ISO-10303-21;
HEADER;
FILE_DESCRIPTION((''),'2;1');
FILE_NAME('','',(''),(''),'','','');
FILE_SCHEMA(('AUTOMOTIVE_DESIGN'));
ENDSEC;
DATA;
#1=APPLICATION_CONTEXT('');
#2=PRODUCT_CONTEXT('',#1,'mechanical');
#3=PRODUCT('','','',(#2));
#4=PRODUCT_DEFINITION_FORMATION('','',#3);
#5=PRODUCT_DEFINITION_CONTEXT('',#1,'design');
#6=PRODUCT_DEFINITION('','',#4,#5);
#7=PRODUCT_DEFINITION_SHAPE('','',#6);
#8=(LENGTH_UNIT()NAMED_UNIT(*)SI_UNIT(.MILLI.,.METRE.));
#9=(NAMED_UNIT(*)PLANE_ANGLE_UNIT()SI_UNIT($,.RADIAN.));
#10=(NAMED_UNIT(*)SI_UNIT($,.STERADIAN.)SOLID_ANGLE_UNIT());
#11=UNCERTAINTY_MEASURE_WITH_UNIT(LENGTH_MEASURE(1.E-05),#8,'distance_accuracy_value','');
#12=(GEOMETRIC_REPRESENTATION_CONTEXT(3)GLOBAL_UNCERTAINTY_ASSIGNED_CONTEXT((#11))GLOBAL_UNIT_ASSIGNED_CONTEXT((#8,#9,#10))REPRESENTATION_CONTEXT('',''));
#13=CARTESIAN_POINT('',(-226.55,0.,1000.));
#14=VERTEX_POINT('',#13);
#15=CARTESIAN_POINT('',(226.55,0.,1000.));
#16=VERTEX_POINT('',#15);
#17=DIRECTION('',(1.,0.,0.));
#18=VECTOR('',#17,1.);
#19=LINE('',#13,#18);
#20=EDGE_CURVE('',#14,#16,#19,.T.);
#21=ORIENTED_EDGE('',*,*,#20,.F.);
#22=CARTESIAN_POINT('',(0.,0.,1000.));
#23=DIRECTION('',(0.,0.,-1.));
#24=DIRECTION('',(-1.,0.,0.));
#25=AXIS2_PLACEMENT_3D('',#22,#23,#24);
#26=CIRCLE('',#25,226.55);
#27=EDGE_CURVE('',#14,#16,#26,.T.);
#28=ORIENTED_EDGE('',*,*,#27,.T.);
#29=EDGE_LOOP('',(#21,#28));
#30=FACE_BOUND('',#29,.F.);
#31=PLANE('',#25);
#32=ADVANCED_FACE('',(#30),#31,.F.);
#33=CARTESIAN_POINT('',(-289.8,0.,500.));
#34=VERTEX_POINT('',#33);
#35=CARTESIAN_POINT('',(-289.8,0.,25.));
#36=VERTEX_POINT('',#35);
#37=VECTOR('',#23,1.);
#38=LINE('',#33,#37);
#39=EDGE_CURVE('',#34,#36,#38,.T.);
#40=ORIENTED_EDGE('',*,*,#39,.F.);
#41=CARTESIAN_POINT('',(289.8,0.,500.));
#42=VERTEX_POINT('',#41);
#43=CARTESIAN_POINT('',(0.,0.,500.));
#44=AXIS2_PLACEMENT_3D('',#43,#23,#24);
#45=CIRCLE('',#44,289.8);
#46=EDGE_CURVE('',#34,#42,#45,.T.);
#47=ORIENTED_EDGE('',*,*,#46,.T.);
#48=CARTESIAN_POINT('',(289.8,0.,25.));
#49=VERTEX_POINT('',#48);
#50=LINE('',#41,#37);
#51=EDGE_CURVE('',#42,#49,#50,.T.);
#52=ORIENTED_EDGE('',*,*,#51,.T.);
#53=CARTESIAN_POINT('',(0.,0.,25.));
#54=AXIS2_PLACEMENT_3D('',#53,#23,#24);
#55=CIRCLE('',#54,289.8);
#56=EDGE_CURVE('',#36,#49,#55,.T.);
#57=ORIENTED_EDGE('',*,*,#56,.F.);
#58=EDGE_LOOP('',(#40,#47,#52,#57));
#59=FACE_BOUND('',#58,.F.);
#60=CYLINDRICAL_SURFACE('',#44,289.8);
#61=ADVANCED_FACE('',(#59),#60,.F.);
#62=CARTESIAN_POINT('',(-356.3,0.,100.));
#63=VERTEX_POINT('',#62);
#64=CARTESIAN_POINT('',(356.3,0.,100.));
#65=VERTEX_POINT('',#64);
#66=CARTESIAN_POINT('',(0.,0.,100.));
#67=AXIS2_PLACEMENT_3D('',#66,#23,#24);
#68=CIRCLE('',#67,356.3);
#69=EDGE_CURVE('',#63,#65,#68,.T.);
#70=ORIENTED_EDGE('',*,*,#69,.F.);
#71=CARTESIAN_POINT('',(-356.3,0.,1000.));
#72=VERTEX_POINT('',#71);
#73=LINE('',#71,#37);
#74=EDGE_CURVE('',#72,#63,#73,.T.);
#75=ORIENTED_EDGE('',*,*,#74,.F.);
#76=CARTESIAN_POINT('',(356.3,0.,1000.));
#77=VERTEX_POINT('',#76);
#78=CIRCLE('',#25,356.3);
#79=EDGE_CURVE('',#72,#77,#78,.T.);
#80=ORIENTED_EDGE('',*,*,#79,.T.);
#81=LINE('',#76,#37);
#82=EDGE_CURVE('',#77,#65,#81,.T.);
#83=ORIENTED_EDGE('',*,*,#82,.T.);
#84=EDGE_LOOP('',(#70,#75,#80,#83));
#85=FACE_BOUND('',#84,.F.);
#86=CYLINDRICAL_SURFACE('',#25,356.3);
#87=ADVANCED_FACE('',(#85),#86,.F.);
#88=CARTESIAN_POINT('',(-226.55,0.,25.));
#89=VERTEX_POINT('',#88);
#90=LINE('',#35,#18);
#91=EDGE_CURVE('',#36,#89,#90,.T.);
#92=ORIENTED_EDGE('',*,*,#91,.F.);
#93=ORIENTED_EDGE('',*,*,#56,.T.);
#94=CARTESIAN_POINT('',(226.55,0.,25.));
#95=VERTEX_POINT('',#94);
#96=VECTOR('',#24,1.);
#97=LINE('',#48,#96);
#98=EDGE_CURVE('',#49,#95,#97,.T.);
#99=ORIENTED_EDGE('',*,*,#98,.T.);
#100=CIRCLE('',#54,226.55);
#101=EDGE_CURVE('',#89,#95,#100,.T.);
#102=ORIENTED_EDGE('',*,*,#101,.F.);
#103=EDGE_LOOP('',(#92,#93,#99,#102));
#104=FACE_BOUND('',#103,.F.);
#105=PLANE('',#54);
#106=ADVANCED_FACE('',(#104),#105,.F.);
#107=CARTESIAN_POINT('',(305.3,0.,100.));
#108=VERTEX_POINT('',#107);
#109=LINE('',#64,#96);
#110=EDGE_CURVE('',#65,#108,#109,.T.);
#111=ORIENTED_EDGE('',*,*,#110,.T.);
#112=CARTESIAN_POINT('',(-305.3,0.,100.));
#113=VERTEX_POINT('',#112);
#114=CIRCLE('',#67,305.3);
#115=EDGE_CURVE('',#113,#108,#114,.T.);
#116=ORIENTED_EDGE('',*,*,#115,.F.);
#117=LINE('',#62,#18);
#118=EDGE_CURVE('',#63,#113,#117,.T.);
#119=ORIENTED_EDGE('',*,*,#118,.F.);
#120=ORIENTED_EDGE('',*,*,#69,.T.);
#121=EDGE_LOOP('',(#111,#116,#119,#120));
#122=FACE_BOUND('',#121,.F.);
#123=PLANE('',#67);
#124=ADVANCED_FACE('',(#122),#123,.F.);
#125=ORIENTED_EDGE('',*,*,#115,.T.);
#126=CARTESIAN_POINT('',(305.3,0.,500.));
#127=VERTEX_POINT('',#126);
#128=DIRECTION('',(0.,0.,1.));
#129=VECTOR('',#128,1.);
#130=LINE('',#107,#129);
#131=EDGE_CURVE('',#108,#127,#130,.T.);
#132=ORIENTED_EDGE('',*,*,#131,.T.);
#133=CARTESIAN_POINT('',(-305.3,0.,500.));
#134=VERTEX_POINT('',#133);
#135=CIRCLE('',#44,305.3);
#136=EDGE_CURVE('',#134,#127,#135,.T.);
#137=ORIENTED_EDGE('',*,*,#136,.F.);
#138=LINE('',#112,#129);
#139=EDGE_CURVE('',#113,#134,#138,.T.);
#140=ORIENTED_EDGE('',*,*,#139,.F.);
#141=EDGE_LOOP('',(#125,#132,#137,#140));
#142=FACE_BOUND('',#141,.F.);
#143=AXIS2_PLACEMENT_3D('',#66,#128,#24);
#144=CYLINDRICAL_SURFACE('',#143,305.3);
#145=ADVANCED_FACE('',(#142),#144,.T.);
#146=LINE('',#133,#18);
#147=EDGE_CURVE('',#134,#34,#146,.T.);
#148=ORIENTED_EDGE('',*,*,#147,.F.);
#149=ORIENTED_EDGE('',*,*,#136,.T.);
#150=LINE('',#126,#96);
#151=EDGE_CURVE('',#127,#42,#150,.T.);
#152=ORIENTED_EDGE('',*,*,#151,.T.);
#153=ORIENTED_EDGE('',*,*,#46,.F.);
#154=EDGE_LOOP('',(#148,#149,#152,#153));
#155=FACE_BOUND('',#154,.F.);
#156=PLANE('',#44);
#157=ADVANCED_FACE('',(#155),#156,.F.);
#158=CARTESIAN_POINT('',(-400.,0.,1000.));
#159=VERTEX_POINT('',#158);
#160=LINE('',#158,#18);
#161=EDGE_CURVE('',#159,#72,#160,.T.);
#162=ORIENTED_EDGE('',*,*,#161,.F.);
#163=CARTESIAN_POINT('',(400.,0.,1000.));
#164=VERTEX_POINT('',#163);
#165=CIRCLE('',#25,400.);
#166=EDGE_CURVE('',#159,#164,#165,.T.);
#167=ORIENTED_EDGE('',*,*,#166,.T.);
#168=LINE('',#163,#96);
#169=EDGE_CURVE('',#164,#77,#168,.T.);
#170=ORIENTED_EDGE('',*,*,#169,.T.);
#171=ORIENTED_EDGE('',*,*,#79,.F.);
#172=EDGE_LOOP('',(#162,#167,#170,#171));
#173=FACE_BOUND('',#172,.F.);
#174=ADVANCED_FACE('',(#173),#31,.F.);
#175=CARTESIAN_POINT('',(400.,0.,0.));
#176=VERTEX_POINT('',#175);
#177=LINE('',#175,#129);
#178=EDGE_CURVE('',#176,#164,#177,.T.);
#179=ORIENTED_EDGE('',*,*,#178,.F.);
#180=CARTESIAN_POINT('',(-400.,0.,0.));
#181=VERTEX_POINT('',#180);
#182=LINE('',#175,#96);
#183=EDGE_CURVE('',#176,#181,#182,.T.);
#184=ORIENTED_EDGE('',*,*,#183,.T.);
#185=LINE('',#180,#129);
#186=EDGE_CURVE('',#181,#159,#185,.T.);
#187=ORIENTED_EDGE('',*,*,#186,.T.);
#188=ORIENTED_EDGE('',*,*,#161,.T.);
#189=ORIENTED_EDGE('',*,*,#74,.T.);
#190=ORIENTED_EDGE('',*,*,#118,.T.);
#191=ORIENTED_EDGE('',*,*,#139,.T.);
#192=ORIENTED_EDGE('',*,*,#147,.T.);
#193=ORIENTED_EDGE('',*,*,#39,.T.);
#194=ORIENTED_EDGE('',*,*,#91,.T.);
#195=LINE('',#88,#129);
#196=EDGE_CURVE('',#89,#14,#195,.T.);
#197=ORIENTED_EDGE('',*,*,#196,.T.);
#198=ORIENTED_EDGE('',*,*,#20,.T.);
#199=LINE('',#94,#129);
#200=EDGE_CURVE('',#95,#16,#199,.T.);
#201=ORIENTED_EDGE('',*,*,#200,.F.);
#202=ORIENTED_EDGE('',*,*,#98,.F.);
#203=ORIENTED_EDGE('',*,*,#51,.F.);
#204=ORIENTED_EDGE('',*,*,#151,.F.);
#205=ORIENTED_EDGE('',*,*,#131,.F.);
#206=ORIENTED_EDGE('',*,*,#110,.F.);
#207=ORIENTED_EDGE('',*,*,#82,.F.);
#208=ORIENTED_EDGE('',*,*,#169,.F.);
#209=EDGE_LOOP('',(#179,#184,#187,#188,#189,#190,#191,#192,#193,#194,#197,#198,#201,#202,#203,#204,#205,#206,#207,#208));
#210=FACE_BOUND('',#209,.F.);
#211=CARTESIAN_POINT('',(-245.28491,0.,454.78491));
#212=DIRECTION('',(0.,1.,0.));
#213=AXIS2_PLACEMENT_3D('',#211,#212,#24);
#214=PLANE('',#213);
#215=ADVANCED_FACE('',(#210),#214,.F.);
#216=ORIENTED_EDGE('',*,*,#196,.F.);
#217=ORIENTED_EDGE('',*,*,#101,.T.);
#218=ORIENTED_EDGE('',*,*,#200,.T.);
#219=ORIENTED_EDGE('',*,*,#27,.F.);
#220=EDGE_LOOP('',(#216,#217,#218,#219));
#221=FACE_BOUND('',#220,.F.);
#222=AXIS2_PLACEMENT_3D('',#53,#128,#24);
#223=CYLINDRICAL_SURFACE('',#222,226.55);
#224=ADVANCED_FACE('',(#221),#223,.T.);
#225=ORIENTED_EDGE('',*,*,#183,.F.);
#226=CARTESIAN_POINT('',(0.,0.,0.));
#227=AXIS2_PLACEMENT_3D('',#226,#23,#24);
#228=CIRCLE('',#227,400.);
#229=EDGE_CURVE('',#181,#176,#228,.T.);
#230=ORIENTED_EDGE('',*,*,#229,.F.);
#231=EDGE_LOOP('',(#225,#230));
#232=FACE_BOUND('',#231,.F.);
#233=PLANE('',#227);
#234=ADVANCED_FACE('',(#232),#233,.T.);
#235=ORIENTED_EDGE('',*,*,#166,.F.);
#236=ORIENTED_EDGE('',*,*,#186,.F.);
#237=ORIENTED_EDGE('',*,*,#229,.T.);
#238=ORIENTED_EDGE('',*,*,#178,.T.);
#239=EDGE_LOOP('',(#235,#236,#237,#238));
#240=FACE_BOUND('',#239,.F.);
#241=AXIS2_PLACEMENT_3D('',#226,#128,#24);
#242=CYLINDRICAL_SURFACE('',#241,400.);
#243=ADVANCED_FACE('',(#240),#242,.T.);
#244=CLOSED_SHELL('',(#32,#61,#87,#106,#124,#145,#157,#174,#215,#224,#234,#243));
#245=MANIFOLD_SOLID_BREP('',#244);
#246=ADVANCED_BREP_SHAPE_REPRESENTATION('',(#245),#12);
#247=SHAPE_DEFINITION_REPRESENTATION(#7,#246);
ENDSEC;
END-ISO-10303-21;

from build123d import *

# Parameters (mm, degrees)
F1_ANGLE_BACK = 180
F1_ANGLE      = 180


with BuildPart() as f1:
    # F0 (on Front) → F1 (revolve)
    with BuildSketch(Plane.XZ, mode=Mode.PRIVATE) as f1_sk:
        Polygon((0, 1000), (0, 0), (400, 0), (400, 1000), (356.3, 1000), (356.3, 100), (305.3, 100), (305.3, 500), (289.8, 500), (289.8, 25), (226.55, 25), (226.55, 1000), align=None)
    revolve(f1_sk.sketch.rotate(Axis((0, 0, 500), (0, 0, -1)), -F1_ANGLE_BACK), axis=Axis((0, 0, 500), (0, 0, -1)), revolution_arc=F1_ANGLE)


solid = f1.part
